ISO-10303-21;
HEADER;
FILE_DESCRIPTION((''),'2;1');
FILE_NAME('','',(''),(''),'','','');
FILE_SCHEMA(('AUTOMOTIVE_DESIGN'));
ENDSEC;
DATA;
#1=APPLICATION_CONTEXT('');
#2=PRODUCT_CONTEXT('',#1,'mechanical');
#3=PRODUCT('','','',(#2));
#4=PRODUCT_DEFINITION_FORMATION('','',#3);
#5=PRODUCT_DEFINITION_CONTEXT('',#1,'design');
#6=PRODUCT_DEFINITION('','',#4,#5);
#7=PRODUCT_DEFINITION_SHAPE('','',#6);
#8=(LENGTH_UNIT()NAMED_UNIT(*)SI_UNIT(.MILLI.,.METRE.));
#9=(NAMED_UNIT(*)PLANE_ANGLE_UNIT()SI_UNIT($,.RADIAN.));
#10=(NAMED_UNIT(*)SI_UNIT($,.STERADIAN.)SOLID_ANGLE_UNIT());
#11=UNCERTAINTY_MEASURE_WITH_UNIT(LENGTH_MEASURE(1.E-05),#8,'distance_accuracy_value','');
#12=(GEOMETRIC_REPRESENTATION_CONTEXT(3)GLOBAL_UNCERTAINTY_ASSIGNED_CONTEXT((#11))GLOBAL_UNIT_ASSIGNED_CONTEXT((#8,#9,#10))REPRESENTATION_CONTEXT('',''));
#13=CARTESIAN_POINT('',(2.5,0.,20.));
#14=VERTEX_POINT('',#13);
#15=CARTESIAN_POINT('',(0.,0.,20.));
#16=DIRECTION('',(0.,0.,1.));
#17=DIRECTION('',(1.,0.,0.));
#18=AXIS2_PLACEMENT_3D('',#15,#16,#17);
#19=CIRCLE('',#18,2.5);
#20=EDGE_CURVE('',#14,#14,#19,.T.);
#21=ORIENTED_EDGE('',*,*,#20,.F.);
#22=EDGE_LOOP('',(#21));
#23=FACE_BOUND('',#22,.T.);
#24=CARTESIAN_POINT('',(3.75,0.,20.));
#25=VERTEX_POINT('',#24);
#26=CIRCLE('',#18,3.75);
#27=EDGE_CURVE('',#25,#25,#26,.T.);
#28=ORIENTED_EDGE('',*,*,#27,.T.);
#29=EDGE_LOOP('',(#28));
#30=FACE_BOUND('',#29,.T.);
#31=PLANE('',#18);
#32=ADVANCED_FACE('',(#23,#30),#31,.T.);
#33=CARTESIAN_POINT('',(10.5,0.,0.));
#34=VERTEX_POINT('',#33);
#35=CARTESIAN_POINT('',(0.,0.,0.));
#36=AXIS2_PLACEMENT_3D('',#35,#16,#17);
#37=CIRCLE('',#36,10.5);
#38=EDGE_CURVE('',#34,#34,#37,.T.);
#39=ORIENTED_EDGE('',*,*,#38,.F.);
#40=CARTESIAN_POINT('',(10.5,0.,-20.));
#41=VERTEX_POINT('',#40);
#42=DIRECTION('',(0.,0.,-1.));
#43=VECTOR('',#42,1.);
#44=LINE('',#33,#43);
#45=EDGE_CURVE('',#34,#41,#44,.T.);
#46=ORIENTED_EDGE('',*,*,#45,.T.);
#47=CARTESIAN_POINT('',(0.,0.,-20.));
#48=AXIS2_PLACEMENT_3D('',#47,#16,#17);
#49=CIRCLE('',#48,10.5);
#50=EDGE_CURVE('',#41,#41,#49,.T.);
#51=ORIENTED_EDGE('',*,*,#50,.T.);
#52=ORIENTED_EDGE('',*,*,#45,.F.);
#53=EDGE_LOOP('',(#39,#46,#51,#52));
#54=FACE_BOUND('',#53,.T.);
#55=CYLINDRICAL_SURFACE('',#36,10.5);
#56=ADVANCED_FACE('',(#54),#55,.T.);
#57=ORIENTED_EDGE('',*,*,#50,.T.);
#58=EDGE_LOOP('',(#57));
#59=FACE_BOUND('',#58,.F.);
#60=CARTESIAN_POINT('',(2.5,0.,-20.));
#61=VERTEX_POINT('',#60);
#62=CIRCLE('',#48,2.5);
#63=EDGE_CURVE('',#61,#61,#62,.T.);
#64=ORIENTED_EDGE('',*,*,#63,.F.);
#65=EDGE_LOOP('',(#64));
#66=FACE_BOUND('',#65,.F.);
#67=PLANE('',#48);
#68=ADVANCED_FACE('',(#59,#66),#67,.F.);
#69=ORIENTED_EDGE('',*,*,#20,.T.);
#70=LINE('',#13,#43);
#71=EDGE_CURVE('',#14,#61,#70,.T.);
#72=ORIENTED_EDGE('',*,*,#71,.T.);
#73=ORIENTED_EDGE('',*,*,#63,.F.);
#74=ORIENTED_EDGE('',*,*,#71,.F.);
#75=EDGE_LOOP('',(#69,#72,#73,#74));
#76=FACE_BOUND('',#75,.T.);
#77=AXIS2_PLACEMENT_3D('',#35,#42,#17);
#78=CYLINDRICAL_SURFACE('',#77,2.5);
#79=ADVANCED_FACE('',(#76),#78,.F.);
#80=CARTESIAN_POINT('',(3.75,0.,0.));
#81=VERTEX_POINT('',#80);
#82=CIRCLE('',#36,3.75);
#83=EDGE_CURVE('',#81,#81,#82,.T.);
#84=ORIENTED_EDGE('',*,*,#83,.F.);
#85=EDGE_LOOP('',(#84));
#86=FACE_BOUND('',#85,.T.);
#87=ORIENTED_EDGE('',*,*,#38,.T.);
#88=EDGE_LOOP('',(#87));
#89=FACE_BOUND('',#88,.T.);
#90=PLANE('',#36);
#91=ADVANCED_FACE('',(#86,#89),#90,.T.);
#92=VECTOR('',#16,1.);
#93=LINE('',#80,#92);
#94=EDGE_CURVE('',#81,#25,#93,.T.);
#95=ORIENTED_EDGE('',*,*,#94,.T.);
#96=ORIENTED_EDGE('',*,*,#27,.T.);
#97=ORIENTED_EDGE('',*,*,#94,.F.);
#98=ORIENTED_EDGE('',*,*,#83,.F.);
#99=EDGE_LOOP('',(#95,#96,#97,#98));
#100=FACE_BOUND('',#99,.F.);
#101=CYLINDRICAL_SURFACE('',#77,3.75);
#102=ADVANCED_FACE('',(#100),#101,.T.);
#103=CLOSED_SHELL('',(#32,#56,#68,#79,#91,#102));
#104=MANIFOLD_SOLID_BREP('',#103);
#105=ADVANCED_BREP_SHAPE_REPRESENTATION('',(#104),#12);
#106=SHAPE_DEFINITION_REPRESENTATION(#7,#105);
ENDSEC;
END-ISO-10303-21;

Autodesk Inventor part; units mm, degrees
ref_plane "YZ Plane" through (0, 0, 0) normal (1, 0, 0) x (0, 1, 0)
ref_plane "XZ Plane" through (0, 0, 0) normal (0, 1, 0) x (-1, 0, 0)
ref_plane "XY Plane" through (0, 0, 0) normal (0, 0, 1) x (1, 0, 0)
sketch "Sketch1" plane through (0, 0, 0) normal (0, 0, 1) x (1, 0, 0)
  circle A0 centre (0, 0) radius 10.5
  circle A1 centre (0, 0) radius 2.5
  circle A2 centre (0, 0) radius 3.75
  dimension "d0" = 21
  dimension "d1" = 5
  dimension "d4" = 7.5
extrude "Extrusion6" add sketch "Sketch1" along normal blind 20 contours A2
extrude "Extrusion7" add sketch "Sketch1" against normal blind 20 contours A0 | A2
properties part number "roller_inner_3DPrint"
